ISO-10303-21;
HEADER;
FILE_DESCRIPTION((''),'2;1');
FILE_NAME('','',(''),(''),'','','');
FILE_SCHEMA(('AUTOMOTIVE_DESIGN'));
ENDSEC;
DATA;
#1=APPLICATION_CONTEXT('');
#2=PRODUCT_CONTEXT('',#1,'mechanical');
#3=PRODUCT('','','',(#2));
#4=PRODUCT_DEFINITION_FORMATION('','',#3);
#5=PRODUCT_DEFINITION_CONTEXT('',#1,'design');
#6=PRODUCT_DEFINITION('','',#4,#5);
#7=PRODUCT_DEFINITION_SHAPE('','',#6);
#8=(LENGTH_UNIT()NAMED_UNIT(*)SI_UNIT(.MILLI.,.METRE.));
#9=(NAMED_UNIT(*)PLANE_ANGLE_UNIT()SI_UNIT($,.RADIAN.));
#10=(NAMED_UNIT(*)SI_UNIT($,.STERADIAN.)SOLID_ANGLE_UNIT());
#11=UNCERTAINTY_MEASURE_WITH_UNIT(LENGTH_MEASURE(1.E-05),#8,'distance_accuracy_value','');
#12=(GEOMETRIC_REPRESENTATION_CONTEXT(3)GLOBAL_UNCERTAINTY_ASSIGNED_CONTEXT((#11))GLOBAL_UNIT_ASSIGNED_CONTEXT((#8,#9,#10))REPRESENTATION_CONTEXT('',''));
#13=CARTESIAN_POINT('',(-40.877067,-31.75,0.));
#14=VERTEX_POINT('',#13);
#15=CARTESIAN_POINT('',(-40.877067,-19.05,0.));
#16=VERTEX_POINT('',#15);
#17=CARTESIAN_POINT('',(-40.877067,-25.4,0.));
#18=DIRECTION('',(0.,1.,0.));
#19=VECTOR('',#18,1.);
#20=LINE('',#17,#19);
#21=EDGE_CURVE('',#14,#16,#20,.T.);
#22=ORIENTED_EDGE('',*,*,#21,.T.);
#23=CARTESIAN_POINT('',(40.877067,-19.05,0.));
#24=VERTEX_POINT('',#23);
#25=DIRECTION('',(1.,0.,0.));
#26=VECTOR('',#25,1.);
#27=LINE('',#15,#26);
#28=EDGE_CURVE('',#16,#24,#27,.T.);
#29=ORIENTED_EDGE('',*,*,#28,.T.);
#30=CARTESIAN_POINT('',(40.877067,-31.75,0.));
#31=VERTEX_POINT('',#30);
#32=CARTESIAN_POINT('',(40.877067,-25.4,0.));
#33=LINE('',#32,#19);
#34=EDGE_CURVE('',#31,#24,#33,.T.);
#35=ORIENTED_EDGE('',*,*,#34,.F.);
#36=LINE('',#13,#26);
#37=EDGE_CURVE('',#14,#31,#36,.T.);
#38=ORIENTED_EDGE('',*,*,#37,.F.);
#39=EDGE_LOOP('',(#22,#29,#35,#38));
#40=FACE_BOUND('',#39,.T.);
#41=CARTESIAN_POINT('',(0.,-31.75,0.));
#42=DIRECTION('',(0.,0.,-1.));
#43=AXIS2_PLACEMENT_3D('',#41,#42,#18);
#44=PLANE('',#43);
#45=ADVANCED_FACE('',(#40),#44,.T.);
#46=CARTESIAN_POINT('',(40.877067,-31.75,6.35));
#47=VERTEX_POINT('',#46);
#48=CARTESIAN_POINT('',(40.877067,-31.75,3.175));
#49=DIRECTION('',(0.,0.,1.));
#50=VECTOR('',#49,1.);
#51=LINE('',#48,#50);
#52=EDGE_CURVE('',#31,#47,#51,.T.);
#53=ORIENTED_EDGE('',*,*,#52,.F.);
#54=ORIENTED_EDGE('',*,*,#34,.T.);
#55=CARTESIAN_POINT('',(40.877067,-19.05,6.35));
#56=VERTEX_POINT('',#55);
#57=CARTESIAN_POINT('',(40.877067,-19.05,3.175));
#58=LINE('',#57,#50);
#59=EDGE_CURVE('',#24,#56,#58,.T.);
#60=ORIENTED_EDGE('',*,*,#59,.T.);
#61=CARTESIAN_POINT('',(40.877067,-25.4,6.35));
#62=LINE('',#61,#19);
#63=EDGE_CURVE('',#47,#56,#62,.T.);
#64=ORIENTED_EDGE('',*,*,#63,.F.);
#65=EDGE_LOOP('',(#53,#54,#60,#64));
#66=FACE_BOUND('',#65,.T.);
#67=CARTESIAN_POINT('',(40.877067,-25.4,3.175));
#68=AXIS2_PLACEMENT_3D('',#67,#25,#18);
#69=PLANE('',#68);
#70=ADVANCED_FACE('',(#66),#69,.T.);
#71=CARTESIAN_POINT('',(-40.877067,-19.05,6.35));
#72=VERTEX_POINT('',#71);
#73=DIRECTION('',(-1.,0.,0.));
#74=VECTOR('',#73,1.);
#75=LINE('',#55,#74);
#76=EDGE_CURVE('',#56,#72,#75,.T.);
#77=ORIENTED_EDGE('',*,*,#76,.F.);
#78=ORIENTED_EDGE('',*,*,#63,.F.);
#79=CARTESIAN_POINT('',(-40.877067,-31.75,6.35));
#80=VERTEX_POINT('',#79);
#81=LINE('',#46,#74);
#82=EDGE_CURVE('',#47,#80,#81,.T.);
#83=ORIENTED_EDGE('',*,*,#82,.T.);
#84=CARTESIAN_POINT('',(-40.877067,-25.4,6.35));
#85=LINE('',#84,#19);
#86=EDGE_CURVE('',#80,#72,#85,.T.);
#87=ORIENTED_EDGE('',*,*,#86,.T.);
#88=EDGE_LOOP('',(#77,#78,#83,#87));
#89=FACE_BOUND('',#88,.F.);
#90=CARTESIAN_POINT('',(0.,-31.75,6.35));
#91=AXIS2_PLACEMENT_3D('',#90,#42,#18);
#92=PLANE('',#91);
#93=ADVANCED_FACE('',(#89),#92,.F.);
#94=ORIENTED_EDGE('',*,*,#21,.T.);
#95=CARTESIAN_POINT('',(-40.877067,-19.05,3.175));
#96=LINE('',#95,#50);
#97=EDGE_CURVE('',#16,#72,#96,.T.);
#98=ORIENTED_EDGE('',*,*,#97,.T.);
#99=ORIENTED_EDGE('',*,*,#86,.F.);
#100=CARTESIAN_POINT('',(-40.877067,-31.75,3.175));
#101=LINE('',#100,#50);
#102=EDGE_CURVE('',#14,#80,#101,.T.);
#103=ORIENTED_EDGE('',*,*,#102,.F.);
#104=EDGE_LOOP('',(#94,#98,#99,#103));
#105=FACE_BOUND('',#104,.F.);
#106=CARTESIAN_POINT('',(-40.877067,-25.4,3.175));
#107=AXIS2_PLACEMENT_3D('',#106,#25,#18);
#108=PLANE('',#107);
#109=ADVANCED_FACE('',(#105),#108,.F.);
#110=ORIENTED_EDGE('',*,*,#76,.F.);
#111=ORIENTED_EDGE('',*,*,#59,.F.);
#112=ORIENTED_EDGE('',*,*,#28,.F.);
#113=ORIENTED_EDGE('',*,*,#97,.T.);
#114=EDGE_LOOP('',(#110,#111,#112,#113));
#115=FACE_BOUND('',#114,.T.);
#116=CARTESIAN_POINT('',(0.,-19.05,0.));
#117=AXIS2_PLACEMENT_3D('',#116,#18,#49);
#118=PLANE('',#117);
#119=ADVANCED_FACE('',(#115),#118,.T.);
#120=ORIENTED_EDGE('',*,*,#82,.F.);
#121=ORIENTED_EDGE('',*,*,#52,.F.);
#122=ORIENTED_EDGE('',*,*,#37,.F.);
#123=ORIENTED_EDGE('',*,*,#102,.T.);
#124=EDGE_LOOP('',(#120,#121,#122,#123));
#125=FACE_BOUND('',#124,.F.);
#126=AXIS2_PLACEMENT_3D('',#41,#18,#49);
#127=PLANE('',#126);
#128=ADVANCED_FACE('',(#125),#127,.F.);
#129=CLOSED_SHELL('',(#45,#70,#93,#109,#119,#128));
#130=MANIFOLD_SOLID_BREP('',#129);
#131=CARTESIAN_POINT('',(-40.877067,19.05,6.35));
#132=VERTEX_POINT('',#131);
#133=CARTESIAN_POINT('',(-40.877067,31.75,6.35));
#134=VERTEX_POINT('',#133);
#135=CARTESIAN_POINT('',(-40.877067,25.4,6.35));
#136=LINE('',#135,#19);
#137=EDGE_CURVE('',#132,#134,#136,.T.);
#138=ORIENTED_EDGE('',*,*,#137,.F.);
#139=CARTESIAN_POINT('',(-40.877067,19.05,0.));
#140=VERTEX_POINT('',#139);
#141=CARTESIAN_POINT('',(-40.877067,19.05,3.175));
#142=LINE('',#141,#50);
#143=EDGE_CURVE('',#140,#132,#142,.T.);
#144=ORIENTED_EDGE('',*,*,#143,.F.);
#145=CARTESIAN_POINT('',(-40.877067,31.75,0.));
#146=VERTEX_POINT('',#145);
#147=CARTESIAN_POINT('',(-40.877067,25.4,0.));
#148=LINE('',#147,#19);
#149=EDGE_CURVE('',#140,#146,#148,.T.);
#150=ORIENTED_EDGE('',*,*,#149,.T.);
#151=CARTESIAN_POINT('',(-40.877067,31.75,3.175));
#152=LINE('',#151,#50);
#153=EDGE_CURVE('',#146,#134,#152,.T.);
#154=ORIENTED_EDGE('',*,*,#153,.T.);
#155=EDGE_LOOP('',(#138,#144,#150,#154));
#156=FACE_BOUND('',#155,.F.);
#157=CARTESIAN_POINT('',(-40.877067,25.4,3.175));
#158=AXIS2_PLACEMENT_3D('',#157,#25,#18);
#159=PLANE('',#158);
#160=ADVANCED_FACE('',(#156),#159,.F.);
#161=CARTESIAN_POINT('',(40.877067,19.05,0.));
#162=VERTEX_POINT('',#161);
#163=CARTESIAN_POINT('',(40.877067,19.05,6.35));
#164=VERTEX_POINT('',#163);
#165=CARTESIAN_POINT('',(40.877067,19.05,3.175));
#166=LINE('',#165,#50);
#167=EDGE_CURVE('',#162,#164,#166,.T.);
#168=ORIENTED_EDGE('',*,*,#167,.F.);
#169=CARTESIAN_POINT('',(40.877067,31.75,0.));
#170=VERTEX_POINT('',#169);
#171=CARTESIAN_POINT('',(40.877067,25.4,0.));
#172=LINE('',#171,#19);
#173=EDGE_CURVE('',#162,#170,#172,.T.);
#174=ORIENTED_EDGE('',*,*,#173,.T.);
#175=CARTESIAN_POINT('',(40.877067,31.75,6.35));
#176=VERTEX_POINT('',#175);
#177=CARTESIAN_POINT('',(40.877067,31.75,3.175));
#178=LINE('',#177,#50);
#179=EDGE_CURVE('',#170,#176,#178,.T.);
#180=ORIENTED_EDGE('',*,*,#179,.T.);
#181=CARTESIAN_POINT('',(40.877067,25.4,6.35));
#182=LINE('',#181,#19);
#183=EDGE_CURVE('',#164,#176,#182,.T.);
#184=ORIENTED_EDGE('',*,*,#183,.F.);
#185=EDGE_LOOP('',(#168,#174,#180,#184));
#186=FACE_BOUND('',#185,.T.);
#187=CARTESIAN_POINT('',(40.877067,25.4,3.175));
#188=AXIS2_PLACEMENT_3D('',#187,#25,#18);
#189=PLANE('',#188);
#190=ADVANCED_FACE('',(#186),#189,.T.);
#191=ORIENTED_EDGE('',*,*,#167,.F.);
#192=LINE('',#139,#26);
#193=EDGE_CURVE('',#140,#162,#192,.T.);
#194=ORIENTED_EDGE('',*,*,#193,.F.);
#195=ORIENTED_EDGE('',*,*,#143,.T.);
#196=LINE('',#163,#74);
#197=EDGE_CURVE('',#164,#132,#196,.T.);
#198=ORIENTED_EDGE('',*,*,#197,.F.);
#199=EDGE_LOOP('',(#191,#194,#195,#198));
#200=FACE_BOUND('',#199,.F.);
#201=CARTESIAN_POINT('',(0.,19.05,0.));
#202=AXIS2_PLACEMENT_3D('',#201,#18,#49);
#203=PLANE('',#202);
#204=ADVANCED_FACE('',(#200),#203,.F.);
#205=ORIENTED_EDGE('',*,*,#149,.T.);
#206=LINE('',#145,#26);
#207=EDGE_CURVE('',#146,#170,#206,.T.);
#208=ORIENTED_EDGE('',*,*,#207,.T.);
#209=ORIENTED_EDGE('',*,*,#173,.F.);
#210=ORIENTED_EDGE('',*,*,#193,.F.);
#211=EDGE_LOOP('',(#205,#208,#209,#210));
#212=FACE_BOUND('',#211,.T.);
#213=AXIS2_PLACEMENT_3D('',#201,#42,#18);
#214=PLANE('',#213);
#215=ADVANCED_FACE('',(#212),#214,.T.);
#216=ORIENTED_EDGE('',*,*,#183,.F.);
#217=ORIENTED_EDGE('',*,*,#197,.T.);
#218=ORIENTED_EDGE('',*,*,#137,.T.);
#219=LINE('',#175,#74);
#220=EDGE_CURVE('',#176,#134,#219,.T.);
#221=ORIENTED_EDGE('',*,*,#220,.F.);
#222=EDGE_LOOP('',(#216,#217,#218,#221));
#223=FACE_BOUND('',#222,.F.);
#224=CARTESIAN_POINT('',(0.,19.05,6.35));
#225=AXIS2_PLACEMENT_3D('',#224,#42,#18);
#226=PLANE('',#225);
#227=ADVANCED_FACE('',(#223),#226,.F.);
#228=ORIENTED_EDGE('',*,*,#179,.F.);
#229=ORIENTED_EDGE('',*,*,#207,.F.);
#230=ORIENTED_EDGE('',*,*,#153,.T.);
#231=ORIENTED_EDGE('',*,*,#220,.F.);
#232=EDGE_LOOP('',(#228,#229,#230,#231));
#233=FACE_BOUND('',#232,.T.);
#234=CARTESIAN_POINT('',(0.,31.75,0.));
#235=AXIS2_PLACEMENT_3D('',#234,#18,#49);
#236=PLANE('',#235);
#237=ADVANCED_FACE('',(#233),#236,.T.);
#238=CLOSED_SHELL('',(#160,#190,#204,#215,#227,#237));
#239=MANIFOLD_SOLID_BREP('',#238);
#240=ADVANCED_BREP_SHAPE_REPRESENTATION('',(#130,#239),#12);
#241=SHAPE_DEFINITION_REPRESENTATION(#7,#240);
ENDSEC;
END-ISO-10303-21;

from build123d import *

# Parameters (mm, degrees)
F1_W          = 12.7
F1_H          = 6.35
F2_DEPTH      = 40.877067
F2_DEPTH_BACK = 40.877067


with BuildPart() as f2:
    # F1 (on Right) → F2 (new body, two sides)
    with BuildSketch(Plane.YZ) as f2_sk:
        with Locations((-25.4, 3.175)):
            Rectangle(F1_W, F1_H)
        with Locations((25.4, 3.175)):
            Rectangle(F1_W, F1_H)
    extrude(amount=F2_DEPTH)
    extrude(f2_sk.sketch, amount=-F2_DEPTH_BACK)


solid = f2.part
